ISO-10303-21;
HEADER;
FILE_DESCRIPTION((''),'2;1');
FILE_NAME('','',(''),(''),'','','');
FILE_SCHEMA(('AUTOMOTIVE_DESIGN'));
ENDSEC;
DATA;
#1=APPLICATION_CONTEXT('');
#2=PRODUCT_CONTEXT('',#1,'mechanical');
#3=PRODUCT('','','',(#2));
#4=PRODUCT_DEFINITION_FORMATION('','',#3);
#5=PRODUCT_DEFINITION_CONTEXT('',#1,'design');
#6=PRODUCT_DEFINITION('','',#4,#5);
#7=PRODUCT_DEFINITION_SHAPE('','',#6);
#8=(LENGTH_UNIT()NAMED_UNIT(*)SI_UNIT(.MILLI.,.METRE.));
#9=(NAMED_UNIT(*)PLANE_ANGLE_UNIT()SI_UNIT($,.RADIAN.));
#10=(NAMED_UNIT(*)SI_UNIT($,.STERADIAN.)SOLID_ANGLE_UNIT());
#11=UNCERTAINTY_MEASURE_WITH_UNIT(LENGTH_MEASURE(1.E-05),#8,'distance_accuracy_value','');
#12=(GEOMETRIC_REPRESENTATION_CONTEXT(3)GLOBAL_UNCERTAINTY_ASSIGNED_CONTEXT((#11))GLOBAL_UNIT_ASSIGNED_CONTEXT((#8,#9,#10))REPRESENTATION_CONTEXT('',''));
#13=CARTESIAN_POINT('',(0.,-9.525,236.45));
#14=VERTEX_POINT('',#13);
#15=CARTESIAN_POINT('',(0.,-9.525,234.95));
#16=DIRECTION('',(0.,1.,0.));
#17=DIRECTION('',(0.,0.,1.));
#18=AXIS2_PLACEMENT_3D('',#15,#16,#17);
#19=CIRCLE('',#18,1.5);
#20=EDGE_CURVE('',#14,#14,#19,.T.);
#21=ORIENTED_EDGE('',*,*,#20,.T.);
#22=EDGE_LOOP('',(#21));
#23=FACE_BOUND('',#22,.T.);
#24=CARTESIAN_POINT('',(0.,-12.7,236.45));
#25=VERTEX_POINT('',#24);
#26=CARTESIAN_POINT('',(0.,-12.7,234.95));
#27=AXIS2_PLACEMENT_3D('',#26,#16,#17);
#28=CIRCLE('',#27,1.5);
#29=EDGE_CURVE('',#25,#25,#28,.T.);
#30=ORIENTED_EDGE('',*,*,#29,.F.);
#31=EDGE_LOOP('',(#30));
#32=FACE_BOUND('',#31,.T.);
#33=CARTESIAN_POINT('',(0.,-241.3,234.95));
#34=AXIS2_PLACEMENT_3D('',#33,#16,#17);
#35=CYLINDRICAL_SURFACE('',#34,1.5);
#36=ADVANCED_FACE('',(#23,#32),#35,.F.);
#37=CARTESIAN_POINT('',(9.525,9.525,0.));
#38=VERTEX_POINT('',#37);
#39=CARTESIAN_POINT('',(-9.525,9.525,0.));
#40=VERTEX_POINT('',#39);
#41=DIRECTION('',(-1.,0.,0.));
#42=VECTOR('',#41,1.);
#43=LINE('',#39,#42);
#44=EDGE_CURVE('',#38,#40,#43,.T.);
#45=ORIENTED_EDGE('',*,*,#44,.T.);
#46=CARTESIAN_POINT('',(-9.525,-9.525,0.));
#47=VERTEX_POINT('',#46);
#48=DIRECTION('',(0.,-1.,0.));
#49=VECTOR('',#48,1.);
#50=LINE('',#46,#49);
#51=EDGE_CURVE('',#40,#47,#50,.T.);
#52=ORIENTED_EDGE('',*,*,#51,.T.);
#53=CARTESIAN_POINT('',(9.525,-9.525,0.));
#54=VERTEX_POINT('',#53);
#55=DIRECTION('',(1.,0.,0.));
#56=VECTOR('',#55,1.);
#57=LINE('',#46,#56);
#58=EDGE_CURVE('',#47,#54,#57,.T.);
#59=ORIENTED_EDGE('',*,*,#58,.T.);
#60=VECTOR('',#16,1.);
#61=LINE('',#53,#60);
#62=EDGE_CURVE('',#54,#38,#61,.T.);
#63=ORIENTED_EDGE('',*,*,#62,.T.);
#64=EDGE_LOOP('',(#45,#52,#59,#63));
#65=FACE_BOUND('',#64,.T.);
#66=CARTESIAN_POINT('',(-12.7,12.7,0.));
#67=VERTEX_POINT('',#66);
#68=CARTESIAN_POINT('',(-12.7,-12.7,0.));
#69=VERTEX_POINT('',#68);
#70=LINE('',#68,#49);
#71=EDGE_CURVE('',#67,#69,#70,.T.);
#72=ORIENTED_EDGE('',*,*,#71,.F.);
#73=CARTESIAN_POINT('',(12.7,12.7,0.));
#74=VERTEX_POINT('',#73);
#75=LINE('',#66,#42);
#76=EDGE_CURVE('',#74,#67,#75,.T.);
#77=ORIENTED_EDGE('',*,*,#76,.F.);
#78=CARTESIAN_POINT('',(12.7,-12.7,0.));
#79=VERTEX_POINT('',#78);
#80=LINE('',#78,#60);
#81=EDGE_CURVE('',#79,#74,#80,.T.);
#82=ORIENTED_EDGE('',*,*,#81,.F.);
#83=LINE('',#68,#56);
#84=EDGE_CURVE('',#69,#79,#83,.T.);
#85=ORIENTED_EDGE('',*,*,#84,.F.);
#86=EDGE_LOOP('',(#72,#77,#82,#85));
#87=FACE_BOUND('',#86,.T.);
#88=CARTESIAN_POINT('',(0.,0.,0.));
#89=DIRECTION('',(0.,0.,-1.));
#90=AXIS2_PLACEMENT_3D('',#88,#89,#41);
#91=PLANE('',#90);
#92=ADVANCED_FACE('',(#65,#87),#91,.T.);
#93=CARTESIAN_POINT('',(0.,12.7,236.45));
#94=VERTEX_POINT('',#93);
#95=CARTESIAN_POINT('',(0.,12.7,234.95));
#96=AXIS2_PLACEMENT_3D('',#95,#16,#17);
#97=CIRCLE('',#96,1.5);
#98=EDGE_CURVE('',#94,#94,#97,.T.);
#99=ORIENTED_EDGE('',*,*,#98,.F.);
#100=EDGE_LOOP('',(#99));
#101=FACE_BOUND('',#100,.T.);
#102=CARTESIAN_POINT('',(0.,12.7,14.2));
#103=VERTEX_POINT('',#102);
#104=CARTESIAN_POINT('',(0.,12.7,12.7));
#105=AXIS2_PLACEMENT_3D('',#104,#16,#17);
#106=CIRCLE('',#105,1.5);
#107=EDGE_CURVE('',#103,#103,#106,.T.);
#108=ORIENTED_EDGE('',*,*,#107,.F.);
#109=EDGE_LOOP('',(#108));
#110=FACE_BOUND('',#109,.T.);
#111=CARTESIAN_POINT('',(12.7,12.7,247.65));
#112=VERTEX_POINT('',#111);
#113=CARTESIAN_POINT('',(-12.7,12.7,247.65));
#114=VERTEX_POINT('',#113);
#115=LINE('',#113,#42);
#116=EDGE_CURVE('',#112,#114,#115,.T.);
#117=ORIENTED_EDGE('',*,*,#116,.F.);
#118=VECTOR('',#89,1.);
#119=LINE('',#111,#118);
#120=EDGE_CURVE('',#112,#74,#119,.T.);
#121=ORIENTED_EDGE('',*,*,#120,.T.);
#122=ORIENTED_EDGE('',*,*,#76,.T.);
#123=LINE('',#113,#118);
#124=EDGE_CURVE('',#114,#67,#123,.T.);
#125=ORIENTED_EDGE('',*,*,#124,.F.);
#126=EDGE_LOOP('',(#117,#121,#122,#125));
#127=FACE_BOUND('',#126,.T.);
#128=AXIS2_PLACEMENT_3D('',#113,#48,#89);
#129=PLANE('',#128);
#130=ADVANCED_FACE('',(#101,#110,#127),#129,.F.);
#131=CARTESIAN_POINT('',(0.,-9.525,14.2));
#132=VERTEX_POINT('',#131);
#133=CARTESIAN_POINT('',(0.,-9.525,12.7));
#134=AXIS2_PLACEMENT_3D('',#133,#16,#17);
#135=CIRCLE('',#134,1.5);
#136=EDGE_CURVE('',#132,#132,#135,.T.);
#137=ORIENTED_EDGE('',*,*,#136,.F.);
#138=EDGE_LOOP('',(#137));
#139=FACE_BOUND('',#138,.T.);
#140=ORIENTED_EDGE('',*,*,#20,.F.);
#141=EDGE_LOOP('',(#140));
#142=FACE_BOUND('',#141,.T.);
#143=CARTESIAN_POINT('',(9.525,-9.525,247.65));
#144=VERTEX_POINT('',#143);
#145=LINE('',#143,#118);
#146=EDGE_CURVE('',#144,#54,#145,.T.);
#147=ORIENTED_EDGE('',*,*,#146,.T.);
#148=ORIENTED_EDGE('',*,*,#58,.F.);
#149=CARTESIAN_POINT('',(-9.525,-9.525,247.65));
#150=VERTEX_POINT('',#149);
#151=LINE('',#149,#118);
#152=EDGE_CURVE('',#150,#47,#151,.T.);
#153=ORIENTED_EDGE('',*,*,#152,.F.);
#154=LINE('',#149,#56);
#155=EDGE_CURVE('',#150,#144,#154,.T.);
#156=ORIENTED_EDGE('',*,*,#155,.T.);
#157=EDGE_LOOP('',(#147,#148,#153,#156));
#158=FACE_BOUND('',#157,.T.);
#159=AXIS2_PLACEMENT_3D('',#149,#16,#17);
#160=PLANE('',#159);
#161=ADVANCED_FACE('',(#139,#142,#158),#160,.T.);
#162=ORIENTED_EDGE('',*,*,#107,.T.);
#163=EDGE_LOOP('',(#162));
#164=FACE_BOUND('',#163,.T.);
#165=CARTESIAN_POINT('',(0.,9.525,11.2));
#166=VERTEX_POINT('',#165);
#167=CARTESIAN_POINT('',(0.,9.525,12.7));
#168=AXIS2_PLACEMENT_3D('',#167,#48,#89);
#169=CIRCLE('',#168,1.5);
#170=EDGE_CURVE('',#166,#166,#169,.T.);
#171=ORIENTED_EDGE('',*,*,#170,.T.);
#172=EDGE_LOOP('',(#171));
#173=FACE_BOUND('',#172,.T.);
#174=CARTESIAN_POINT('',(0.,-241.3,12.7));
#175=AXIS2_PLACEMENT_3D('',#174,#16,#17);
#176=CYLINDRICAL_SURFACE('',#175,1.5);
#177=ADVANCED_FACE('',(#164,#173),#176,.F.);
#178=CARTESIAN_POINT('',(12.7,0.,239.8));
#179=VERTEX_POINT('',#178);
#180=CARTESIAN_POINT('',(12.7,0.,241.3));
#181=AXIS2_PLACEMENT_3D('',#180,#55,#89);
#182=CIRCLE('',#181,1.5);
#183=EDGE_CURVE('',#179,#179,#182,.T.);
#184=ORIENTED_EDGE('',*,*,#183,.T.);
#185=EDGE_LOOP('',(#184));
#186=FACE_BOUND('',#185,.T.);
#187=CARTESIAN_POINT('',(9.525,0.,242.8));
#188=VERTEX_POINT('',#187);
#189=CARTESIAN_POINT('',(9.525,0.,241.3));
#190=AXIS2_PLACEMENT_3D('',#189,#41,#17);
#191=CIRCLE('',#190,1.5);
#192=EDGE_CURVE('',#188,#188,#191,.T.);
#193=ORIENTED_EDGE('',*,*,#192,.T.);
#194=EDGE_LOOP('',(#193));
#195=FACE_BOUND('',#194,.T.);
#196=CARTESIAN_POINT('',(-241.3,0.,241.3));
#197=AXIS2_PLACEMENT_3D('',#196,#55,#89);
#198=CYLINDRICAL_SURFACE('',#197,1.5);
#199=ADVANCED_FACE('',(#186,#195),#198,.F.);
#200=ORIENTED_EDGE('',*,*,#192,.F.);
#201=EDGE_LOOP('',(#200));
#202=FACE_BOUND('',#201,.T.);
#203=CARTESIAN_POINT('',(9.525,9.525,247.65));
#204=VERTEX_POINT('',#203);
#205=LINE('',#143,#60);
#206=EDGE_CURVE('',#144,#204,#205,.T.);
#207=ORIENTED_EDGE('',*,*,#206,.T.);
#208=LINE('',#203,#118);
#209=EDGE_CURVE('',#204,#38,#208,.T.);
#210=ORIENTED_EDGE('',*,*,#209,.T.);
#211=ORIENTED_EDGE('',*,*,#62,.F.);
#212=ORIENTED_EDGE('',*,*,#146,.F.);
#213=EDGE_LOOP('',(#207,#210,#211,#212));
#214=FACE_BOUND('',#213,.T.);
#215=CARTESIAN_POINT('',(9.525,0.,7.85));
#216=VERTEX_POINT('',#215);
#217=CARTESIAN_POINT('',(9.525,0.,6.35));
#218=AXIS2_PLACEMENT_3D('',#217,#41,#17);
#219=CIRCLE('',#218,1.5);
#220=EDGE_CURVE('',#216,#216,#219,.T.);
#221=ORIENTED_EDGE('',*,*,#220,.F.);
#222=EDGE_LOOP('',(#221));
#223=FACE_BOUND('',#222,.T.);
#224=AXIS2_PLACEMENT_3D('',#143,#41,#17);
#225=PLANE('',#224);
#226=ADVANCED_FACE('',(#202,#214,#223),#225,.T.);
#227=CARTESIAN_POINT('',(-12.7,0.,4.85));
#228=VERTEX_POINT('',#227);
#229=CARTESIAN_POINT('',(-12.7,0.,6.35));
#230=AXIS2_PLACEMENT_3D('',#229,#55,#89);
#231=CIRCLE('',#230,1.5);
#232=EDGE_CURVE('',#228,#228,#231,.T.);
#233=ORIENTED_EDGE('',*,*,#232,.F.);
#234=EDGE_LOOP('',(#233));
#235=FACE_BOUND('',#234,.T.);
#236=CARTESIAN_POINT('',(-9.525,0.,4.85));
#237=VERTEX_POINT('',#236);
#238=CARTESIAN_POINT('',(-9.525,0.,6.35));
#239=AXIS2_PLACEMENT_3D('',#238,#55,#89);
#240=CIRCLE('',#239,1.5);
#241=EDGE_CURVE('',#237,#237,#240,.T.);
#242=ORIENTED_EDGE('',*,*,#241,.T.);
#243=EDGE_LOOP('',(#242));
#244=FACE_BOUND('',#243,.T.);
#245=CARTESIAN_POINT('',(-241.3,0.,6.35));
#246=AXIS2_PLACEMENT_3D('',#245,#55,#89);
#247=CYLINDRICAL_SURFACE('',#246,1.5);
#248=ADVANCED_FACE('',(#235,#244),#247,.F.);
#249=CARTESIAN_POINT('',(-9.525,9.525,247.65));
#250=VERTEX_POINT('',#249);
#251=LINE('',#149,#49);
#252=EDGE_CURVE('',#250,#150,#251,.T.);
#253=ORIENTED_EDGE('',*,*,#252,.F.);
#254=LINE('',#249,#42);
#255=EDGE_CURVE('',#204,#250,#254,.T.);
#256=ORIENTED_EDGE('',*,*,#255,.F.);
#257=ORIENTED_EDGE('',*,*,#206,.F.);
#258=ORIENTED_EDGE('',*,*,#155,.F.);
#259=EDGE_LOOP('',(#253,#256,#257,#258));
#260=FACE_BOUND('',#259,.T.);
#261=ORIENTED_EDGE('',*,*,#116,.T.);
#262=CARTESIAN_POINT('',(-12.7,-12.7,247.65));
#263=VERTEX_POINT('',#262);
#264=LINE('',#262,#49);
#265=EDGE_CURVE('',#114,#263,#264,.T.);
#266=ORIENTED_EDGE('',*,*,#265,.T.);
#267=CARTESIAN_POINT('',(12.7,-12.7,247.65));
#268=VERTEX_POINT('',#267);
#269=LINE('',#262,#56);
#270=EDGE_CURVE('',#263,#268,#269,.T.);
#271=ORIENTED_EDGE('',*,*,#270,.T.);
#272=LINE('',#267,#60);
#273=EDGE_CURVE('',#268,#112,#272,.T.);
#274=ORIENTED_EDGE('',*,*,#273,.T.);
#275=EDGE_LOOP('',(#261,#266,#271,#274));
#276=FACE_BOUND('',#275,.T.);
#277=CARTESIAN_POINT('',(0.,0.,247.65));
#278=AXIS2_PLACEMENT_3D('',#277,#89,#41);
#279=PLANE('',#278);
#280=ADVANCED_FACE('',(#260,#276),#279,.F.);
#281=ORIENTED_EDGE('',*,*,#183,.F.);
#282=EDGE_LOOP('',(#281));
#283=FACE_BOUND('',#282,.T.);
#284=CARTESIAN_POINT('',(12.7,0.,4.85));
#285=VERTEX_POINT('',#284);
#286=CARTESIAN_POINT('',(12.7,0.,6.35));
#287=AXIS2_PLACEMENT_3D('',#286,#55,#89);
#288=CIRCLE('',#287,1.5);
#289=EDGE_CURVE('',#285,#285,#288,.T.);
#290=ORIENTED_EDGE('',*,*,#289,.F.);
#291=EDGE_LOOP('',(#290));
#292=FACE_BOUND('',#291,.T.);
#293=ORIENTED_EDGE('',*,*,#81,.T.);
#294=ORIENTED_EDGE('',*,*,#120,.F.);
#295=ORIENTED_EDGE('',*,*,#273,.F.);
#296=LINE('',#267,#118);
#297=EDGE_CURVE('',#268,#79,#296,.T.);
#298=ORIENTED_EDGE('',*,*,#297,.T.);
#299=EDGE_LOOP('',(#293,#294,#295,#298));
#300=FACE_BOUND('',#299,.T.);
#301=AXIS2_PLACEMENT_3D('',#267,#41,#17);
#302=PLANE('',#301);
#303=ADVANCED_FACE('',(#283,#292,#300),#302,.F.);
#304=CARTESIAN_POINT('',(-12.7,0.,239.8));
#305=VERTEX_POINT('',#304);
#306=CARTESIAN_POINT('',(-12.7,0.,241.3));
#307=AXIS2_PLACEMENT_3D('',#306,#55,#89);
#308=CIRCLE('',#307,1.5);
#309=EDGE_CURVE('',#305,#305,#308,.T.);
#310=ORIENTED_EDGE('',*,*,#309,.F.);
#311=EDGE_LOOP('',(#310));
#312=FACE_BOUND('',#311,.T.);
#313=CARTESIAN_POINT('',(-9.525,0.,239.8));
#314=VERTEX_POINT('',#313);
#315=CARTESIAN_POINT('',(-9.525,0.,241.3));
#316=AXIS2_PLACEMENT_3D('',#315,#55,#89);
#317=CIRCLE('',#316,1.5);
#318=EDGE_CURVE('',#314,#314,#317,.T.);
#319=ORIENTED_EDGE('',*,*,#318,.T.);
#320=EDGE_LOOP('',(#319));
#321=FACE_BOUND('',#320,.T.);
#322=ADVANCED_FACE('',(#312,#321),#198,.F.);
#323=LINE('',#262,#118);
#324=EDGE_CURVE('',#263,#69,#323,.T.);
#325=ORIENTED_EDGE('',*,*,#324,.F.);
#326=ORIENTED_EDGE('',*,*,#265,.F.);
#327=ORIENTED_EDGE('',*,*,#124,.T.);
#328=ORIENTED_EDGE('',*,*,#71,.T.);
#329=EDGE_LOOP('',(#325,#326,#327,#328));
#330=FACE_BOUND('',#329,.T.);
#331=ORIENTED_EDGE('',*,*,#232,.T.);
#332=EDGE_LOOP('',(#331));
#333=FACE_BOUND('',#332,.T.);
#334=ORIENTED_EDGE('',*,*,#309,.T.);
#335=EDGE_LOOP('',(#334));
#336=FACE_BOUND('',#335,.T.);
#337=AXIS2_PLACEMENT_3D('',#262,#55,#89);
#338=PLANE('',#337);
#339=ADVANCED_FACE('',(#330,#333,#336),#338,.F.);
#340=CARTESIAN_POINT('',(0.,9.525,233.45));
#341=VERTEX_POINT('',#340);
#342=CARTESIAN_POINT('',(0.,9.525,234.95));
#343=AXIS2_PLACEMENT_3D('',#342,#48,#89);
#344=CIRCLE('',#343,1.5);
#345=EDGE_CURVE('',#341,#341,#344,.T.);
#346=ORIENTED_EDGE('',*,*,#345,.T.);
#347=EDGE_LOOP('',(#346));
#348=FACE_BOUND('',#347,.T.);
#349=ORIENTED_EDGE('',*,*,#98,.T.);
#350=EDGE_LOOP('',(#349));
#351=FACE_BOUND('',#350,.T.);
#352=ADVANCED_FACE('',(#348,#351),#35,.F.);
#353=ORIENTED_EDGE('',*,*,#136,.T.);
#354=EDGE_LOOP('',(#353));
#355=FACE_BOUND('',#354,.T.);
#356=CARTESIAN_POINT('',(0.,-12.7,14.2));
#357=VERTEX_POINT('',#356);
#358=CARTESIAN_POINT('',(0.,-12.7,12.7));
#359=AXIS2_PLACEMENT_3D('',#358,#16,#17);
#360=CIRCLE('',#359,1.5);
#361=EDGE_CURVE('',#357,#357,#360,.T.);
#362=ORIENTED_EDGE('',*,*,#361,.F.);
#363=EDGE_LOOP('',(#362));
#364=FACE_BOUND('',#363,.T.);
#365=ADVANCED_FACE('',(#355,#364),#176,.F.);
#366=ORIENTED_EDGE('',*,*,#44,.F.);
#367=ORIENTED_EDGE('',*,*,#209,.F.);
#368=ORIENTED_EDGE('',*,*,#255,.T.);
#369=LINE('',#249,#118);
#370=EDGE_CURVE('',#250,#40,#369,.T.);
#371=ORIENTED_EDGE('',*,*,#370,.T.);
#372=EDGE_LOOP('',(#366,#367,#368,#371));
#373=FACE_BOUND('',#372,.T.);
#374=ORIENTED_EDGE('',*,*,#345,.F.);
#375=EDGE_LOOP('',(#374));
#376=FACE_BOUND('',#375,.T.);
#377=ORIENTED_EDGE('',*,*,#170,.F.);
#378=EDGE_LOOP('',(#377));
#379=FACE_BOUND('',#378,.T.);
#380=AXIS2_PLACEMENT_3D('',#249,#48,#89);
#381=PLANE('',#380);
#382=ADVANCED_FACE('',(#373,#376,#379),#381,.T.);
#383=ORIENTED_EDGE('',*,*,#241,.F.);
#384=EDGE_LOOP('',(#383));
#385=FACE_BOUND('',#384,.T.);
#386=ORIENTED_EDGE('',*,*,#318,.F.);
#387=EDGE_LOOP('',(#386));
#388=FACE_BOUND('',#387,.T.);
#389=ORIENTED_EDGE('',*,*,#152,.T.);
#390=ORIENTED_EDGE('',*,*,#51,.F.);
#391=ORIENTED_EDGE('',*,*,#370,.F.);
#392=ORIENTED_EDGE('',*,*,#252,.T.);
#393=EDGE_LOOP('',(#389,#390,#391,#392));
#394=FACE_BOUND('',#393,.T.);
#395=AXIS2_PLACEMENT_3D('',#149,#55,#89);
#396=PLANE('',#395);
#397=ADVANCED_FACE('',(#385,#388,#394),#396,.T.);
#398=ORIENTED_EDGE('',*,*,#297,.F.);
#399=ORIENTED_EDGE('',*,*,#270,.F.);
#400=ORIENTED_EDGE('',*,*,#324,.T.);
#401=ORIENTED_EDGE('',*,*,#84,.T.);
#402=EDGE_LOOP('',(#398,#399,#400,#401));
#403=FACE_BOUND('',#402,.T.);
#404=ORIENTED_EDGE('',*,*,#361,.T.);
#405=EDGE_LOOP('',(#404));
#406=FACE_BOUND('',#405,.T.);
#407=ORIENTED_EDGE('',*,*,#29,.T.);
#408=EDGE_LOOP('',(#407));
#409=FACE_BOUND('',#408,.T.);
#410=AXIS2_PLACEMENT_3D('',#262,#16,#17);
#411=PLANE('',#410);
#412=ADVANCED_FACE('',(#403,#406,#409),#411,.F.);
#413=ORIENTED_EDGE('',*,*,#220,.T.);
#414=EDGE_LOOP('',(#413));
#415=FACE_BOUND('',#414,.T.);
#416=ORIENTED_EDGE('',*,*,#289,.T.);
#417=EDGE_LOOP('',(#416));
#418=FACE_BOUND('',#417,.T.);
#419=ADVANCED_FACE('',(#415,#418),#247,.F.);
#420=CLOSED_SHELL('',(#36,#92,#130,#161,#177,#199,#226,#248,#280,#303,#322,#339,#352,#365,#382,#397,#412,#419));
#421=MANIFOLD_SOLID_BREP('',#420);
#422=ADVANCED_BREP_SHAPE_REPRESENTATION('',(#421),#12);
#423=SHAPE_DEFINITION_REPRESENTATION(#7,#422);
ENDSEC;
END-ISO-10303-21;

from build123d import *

# Parameters (mm, degrees)
SKETCH1_W           = 25.4
SKETCH1_H           = 25.4
SKETCH1_W_2         = 19.05
SKETCH1_H_2         = 19.05
BOSS_EXTRUDE1_DEPTH = 247.65
SKETCH2_R           = 1.5
CUT_EXTRUDE1_DEPTH  = 254
SKETCH3_R           = 1.5
CUT_EXTRUDE2_DEPTH  = 254


with BuildPart() as part:
    # Sketch1 → Boss-Extrude1 (new body)
    with BuildSketch(Plane.XY):
        Rectangle(SKETCH1_W, SKETCH1_H)
        Rectangle(SKETCH1_W_2, SKETCH1_H_2, mode=Mode.SUBTRACT)
    extrude(amount=BOSS_EXTRUDE1_DEPTH)

    # Sketch2 → Cut-Extrude1 (cut)
    with BuildSketch(Plane(origin=(12.7, 0, 0), x_dir=(0, 0, -1), z_dir=(1, 0, 0))):
        with Locations((-241.3, 0)):
            Circle(SKETCH2_R)
        with Locations((-6.35, 0)):
            Circle(SKETCH2_R)
    extrude(amount=-CUT_EXTRUDE1_DEPTH, mode=Mode.SUBTRACT)

    # Sketch3 → Cut-Extrude2 (cut)
    with BuildSketch(Plane(origin=(0, 12.7, 0), x_dir=(1, 0, 0), z_dir=(0, 1, 0))):
        with Locations((0, -12.7)):
            Circle(SKETCH3_R)
        with Locations((0, -234.95)):
            Circle(SKETCH3_R)
    extrude(amount=-CUT_EXTRUDE2_DEPTH, mode=Mode.SUBTRACT)


solid = part.part
